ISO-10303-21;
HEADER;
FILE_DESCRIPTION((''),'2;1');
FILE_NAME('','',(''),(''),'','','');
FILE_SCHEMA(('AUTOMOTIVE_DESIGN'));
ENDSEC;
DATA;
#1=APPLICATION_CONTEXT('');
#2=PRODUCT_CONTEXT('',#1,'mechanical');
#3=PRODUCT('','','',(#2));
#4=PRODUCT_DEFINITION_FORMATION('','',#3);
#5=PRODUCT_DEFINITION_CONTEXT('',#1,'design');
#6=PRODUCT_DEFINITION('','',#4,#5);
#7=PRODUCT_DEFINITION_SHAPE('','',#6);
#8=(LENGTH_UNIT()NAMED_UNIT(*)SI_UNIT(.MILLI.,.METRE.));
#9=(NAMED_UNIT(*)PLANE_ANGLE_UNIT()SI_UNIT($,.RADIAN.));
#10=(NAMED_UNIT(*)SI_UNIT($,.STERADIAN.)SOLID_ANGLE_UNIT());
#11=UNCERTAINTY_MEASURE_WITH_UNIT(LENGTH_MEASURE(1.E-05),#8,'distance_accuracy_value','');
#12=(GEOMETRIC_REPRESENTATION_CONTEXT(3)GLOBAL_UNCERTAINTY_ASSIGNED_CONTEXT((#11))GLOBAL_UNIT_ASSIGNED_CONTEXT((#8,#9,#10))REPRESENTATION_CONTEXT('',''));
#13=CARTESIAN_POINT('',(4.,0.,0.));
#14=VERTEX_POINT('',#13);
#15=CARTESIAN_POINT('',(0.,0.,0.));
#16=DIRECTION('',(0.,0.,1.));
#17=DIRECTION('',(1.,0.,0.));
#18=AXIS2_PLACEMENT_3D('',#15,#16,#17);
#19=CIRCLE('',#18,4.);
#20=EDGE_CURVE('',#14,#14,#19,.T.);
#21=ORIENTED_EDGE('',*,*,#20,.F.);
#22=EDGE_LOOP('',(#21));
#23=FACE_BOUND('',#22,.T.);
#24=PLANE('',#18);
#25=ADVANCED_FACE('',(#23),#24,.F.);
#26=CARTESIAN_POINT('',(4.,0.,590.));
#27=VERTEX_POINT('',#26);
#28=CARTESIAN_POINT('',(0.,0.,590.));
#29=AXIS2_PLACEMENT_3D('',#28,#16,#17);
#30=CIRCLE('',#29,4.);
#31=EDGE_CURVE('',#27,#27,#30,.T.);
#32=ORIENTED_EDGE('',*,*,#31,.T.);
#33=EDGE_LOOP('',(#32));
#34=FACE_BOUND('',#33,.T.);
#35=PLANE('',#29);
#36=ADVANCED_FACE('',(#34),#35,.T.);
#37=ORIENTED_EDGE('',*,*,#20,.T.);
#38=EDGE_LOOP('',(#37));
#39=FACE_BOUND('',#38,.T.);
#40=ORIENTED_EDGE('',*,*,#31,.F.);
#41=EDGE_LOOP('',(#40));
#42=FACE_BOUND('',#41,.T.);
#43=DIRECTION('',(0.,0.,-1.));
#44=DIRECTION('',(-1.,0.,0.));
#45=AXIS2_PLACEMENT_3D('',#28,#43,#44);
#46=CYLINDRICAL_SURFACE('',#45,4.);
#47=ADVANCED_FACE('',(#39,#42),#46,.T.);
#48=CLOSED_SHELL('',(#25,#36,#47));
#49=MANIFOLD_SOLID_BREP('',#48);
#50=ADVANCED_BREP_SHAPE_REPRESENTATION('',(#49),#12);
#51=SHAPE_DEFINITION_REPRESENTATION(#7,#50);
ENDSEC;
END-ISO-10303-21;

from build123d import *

# Parameters (mm, degrees)
ESQUISSE1_R        = 4
BOSS_EXTRU_1_DEPTH = 590


with BuildPart() as part:
    # Esquisse1 → Boss.-Extru.1 (new body)
    with BuildSketch(Plane.XY):
        Circle(ESQUISSE1_R)
    extrude(amount=BOSS_EXTRU_1_DEPTH)


solid = part.part
